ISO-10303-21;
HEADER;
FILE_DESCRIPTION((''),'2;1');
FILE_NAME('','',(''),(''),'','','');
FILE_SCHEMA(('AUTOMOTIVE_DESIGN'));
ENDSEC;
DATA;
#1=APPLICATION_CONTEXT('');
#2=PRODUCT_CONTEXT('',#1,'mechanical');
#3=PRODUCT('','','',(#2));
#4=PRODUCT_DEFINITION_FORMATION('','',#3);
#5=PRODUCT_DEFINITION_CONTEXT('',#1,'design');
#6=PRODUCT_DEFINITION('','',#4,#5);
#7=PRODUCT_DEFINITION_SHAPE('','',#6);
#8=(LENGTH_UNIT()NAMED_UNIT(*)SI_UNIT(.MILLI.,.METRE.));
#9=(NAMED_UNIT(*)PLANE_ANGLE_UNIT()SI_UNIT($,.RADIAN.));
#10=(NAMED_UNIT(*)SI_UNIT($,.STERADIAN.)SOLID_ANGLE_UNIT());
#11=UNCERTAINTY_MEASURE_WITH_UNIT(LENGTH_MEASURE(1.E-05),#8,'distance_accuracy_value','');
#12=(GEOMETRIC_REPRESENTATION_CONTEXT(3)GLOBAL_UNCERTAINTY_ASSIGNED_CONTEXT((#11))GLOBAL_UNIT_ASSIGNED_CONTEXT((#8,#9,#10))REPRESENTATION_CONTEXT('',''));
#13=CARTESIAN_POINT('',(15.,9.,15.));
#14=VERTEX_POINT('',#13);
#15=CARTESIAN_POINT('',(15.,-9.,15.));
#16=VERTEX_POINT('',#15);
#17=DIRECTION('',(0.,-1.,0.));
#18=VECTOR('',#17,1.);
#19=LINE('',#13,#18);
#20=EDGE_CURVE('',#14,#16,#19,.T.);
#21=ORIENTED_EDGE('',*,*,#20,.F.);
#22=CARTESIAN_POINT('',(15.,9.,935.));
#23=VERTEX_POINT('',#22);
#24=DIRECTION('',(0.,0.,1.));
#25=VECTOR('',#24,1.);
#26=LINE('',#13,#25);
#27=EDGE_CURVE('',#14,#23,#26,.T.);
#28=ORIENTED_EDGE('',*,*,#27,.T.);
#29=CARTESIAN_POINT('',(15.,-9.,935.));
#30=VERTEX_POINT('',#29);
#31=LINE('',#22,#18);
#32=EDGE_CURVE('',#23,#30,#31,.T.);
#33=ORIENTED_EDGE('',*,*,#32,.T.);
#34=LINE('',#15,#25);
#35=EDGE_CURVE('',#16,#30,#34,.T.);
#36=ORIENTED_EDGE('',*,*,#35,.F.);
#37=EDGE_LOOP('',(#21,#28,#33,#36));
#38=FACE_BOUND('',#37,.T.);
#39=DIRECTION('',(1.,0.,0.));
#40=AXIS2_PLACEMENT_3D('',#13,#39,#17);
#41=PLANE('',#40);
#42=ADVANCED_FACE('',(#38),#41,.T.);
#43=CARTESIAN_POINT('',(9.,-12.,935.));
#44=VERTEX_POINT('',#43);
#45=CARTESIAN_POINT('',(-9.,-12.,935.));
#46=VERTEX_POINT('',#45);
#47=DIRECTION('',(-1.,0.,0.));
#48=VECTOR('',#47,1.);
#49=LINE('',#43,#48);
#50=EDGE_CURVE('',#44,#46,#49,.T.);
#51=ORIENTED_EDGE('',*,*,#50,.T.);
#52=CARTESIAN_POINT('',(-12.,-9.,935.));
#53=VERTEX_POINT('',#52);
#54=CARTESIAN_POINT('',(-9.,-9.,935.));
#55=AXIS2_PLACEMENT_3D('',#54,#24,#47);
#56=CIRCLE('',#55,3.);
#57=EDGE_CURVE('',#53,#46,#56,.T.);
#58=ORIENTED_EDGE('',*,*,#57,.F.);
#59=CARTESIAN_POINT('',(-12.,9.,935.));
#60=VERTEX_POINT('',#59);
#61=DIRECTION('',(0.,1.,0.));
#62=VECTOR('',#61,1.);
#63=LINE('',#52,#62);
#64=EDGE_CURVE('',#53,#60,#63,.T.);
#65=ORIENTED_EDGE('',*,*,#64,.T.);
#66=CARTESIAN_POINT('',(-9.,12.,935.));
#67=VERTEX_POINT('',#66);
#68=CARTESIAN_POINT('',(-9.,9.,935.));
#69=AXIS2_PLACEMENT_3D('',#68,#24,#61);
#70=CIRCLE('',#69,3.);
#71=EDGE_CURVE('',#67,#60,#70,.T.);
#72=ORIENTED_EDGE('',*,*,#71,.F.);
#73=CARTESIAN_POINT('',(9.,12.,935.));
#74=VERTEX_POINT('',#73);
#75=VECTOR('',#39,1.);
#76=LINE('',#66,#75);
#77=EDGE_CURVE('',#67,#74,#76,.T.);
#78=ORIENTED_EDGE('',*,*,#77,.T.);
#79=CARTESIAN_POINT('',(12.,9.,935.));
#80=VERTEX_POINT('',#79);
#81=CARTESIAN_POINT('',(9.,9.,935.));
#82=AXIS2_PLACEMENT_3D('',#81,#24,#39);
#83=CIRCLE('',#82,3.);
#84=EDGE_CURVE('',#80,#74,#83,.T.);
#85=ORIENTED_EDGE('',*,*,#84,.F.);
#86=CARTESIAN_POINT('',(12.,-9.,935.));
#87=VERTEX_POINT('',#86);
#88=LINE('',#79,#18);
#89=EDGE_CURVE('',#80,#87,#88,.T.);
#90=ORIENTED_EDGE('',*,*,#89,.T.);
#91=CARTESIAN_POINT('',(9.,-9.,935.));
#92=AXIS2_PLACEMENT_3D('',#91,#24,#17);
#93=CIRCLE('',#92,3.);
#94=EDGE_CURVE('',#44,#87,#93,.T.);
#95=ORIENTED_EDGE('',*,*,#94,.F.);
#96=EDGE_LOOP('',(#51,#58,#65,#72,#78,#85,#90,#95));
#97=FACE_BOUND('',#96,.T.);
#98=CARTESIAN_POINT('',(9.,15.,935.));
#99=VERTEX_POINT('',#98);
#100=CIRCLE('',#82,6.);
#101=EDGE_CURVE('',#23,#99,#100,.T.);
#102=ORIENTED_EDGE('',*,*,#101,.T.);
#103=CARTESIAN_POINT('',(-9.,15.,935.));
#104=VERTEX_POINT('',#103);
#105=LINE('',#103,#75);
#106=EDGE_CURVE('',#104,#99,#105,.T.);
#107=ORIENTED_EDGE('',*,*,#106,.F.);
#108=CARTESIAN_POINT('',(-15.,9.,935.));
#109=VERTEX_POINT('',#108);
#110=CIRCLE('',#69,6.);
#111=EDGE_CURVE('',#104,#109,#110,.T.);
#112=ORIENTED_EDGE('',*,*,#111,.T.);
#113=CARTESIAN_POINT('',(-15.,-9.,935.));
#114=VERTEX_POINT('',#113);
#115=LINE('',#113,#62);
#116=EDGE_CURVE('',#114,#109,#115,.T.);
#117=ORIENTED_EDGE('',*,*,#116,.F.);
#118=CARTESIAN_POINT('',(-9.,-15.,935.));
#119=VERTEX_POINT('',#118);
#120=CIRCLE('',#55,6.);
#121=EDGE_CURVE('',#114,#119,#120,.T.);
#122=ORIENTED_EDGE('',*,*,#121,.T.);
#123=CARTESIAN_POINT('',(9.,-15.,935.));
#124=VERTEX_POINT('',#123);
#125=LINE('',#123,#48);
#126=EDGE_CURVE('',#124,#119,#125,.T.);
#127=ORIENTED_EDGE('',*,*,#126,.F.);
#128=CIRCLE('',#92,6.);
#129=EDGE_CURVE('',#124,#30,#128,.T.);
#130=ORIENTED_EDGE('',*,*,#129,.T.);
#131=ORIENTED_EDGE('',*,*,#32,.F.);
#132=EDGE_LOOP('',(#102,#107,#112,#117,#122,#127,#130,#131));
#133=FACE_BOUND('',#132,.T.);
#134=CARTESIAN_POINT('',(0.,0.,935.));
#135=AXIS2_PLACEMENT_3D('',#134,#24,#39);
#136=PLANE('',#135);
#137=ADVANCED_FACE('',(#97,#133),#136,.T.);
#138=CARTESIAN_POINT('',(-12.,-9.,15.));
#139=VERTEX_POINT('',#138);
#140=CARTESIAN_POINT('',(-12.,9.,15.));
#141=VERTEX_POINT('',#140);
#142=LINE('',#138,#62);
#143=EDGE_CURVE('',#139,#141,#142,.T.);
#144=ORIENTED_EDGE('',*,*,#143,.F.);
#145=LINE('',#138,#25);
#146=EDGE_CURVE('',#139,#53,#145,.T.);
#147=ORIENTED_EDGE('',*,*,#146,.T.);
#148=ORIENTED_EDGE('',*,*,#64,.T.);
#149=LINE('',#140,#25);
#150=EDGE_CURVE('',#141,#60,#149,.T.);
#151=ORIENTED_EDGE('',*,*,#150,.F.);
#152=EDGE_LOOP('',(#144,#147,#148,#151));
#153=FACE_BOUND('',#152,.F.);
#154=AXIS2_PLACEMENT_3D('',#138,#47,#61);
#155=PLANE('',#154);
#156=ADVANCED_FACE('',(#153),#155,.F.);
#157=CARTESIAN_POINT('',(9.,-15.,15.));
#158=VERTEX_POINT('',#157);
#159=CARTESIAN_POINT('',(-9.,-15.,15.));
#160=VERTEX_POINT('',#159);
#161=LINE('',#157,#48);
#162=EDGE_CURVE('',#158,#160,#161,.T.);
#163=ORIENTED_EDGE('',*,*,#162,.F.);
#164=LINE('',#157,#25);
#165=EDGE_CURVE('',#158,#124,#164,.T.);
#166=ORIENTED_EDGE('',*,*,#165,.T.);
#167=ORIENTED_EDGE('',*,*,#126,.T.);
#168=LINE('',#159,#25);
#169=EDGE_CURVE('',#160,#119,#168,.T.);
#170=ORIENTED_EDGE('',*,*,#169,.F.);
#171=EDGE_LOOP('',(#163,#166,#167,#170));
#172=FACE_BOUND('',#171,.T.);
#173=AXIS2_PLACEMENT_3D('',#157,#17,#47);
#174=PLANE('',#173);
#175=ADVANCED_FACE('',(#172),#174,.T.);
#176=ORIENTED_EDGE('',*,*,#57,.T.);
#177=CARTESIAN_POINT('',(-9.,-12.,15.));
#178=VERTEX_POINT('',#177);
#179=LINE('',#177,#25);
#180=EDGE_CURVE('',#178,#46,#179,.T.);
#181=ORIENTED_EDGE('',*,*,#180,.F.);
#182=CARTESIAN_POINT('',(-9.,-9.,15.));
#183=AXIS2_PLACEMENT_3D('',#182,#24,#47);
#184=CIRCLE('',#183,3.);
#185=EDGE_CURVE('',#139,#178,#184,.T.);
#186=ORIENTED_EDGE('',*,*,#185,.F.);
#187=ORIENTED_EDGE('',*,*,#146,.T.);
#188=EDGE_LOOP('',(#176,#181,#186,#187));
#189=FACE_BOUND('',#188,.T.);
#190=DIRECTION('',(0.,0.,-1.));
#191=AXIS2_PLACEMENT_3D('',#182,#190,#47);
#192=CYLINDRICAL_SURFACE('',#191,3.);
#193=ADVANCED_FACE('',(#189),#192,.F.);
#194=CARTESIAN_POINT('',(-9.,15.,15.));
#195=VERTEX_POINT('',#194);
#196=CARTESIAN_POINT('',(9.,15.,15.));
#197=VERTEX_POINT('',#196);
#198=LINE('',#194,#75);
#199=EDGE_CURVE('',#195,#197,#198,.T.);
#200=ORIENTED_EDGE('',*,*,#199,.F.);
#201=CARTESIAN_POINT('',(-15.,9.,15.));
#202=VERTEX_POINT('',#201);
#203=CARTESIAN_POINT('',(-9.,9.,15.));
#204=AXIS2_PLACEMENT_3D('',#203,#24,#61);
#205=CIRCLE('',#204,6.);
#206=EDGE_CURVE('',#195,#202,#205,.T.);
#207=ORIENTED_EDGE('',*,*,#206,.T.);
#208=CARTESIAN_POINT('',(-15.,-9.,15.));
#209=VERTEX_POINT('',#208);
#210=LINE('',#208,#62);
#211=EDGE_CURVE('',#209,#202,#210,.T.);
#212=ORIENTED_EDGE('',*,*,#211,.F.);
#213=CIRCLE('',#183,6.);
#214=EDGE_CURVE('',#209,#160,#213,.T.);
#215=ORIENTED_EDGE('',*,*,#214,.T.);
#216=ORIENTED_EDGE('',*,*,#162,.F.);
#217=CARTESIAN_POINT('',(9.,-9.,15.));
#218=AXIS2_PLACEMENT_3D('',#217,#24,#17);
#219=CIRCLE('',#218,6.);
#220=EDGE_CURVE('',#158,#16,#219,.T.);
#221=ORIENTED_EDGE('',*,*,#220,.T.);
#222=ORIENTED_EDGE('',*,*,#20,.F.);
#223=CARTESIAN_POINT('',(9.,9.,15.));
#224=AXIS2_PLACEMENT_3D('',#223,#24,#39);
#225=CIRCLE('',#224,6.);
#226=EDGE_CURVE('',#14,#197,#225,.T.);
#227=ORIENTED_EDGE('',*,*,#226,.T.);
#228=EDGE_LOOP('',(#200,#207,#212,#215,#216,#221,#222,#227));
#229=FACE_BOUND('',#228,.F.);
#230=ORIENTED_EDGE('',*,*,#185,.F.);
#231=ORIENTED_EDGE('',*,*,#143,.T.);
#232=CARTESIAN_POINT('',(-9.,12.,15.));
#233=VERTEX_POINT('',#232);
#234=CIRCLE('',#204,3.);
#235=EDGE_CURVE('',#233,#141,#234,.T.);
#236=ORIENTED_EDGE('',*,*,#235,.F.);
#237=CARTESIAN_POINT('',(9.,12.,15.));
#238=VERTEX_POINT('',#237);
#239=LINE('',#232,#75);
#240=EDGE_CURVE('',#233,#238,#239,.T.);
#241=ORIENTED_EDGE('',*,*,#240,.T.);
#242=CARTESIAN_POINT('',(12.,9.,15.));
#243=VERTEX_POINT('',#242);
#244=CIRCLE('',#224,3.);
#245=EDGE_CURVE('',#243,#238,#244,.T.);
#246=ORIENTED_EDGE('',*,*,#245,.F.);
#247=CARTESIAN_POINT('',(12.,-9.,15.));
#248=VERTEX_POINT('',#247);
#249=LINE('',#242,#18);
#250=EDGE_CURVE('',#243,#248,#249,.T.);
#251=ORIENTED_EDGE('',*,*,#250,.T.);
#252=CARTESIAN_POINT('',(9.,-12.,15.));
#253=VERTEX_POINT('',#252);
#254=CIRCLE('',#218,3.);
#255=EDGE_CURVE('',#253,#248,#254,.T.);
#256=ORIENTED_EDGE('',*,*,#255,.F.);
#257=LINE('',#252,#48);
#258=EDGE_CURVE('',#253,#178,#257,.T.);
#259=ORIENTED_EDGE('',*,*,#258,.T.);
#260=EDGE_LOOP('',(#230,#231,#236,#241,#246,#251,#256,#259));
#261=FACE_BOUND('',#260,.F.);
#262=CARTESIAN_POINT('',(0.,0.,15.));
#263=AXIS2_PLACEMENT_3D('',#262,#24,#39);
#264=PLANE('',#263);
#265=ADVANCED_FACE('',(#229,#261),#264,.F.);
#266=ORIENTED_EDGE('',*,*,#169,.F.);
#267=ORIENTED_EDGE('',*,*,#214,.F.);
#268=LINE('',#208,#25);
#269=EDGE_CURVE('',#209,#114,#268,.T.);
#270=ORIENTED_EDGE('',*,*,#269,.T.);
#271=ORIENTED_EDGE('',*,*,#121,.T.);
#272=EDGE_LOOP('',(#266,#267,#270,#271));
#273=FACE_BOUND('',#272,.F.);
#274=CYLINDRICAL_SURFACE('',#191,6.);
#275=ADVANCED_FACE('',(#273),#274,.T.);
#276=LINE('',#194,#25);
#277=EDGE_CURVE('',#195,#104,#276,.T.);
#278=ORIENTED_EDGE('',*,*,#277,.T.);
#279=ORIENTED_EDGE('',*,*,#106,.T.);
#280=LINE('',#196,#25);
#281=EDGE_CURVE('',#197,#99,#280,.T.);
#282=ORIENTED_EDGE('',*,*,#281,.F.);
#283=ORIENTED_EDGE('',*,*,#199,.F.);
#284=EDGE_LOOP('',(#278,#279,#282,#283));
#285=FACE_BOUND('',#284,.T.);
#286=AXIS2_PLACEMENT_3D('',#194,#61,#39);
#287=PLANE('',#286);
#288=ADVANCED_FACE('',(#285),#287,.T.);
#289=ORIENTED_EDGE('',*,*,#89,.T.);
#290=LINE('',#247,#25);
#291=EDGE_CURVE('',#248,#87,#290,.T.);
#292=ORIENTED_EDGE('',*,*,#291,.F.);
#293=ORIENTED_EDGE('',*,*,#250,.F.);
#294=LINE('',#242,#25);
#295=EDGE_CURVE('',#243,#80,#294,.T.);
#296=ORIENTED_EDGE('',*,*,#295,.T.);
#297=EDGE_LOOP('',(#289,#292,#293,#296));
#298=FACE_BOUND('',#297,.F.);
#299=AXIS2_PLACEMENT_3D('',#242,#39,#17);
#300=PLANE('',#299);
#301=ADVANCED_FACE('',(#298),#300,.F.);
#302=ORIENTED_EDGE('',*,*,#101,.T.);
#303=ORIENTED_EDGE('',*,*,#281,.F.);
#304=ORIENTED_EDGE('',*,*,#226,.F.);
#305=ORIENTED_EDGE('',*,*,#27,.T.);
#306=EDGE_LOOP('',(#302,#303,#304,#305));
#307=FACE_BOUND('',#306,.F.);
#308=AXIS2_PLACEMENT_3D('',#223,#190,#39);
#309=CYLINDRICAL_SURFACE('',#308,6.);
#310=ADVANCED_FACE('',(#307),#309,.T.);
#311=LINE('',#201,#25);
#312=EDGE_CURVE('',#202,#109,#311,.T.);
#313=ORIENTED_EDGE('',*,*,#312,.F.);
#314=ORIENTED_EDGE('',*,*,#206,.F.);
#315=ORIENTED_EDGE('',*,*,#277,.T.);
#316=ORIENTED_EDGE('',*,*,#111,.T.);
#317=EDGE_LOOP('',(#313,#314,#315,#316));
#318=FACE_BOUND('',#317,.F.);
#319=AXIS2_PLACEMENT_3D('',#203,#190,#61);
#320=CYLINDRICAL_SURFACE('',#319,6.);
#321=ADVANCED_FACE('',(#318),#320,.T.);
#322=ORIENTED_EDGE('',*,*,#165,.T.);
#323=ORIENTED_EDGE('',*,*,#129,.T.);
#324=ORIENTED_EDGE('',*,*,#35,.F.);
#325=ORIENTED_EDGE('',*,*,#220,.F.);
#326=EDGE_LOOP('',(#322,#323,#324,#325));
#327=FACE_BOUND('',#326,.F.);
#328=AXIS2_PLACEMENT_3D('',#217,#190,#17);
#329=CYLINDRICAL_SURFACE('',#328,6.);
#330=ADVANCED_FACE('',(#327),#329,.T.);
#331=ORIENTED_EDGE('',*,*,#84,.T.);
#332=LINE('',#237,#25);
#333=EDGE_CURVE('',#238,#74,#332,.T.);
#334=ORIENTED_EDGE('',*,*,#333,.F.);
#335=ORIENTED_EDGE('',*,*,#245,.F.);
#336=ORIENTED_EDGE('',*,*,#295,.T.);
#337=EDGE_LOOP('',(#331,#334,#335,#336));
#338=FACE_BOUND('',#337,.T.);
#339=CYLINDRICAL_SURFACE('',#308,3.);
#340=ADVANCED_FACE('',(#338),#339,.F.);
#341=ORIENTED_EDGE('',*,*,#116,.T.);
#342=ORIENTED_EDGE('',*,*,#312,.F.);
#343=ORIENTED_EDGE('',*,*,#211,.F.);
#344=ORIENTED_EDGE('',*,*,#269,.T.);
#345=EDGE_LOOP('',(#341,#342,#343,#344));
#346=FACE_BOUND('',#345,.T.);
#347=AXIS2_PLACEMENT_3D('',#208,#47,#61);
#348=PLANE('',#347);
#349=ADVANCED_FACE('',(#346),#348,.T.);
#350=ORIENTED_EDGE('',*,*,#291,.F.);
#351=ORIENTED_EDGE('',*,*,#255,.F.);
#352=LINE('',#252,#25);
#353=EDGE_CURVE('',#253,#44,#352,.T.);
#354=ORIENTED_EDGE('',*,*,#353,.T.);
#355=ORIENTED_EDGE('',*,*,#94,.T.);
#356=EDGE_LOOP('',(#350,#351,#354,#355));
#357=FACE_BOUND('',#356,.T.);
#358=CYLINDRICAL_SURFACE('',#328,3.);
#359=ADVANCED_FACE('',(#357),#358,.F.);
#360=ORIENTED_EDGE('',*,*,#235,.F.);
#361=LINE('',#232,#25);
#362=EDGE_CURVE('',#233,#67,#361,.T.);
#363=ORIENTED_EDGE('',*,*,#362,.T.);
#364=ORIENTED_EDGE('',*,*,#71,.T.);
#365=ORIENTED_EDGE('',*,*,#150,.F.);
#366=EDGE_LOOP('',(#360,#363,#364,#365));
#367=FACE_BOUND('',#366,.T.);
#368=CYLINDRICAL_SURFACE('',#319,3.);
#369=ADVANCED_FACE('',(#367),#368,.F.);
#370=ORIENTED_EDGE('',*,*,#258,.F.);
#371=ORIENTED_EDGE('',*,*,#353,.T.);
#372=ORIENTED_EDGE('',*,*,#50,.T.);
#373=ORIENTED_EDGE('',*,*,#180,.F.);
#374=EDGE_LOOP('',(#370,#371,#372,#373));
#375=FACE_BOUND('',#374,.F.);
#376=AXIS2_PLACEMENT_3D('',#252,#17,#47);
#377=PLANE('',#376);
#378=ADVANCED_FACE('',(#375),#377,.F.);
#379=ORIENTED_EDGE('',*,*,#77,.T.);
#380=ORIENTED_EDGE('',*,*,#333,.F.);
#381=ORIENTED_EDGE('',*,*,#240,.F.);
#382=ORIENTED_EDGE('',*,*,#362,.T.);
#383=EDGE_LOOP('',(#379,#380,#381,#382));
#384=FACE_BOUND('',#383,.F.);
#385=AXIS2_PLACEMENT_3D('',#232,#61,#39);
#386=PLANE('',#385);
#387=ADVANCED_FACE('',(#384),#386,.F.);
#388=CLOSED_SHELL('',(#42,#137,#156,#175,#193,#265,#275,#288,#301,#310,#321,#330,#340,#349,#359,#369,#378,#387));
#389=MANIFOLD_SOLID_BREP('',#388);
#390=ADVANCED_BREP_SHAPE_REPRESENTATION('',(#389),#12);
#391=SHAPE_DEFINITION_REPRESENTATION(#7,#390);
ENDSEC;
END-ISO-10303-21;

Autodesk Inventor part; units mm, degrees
ref_plane "Start Plane" through (0, 0, 15) normal (0, 0, 1) x (1, 0, 0)
ref_plane "End Plane" through (0, 0, 935) normal (0, 0, 1) x (1, 0, 0)
sketch "Sketch" plane through (0, 0, 0) normal (0, 0, 1) x (1, 0, 0)
  line L0 (-15, -9) -> (-15, 9)
  line L1 (-9, 15) -> (9, 15)
  line L2 (15, 9) -> (15, -9)
  line L3 (9, -15) -> (-9, -15)
  arc A0 (-15, -9) -> (-9, -15) centre (-9, -9) ccw
  arc A1 (-9, 15) -> (-15, 9) centre (-9, 9) ccw
  arc A2 (15, 9) -> (9, 15) centre (9, 9) ccw
  arc A3 (9, -15) -> (15, -9) centre (9, -9) ccw
  arc A4 (-9, 12) -> (-12, 9) centre (-9, 9) ccw
  line L4 (-9, 12) -> (9, 12)
  arc A5 (12, 9) -> (9, 12) centre (9, 9) ccw
  line L5 (12, 9) -> (12, -9)
  arc A6 (9, -12) -> (12, -9) centre (9, -9) ccw
  line L6 (9, -12) -> (-9, -12)
  arc A7 (-12, -9) -> (-9, -12) centre (-9, -9) ccw
  line L7 (-12, -9) -> (-12, 9)
  line L8 (0, 22.7397) -> (0, -22.7397) construction
  line L9 (-22.7397, 0) -> (22.7397, 0) construction
  dimension "d7" = 6
  dimension "d10" = 30
  dimension "d11" = 30
  dimension "d12" = 3
  dimension "d15" = 15
  dimension "d16" = 15
extrude "Body" add sketch "Sketch" along normal up to surface (920 mm away) from surface at 15
sketch "Sketch3" plane through (0, 0, 0) normal (0, 0, 1) x (1, 0, 0)
  line L0 (0, 0) -> (10, 0)
ref_plane "Work Plane3" through (0, 0, 0) normal (0, -1, 0) x (1, 0, 0)
ref_plane "Work Plane4" through (2887, 9, 935) normal (0, 0, 1) x (1, 0, 0)
split "Split1" plane through (2887, 9, 935) removes the side toward (0, 0, 1)
ref_plane "Work Plane5" through (-9, 0, 15) normal (0, 0, -1) x (-1, 0, 0)
split "Split2" plane through (-9, 0, 15) removes the side toward (0, 0, -1)
sketch "Sketch4" plane through (0, 0, 0) normal (0, -1, 0) x (1, 0, 0)
  line L0 (-2, 15) -> (12, 15) projected
  line L1 (-2, 935) -> (12, 935) projected
  dimension "d18" = 920
equation "\"d7\" = G_IR"
equation "\"d10\" = G_H"
equation "\"d11\" = G_W"
equation "\"d12\" = G_T"
equation "\"d15\" = 0.5 * d10"
equation "\"d16\" = 0.5 * d11"
equation "\"d3\" = G_L"
equation "\"G_W\" = 30"
equation "\"G_H\" = 30"
equation "\"G_T\" = 3"
equation "\"G_IR\" = 6"
equation "\"G_L\" = d18"
equation "\"G_OFFSET_START\" = -15"
equation "\"G_OFFSET_END\" = -15"
equation "\"d13\" = -G_OFFSET_START"
equation "\"d14\" = G_OFFSET_END + B_L"
equation "\"B_L\" = 950"
properties part number "DIN EN 10219-2 - 30 x 30 x 3  - 920" material "Steel, Mild"
